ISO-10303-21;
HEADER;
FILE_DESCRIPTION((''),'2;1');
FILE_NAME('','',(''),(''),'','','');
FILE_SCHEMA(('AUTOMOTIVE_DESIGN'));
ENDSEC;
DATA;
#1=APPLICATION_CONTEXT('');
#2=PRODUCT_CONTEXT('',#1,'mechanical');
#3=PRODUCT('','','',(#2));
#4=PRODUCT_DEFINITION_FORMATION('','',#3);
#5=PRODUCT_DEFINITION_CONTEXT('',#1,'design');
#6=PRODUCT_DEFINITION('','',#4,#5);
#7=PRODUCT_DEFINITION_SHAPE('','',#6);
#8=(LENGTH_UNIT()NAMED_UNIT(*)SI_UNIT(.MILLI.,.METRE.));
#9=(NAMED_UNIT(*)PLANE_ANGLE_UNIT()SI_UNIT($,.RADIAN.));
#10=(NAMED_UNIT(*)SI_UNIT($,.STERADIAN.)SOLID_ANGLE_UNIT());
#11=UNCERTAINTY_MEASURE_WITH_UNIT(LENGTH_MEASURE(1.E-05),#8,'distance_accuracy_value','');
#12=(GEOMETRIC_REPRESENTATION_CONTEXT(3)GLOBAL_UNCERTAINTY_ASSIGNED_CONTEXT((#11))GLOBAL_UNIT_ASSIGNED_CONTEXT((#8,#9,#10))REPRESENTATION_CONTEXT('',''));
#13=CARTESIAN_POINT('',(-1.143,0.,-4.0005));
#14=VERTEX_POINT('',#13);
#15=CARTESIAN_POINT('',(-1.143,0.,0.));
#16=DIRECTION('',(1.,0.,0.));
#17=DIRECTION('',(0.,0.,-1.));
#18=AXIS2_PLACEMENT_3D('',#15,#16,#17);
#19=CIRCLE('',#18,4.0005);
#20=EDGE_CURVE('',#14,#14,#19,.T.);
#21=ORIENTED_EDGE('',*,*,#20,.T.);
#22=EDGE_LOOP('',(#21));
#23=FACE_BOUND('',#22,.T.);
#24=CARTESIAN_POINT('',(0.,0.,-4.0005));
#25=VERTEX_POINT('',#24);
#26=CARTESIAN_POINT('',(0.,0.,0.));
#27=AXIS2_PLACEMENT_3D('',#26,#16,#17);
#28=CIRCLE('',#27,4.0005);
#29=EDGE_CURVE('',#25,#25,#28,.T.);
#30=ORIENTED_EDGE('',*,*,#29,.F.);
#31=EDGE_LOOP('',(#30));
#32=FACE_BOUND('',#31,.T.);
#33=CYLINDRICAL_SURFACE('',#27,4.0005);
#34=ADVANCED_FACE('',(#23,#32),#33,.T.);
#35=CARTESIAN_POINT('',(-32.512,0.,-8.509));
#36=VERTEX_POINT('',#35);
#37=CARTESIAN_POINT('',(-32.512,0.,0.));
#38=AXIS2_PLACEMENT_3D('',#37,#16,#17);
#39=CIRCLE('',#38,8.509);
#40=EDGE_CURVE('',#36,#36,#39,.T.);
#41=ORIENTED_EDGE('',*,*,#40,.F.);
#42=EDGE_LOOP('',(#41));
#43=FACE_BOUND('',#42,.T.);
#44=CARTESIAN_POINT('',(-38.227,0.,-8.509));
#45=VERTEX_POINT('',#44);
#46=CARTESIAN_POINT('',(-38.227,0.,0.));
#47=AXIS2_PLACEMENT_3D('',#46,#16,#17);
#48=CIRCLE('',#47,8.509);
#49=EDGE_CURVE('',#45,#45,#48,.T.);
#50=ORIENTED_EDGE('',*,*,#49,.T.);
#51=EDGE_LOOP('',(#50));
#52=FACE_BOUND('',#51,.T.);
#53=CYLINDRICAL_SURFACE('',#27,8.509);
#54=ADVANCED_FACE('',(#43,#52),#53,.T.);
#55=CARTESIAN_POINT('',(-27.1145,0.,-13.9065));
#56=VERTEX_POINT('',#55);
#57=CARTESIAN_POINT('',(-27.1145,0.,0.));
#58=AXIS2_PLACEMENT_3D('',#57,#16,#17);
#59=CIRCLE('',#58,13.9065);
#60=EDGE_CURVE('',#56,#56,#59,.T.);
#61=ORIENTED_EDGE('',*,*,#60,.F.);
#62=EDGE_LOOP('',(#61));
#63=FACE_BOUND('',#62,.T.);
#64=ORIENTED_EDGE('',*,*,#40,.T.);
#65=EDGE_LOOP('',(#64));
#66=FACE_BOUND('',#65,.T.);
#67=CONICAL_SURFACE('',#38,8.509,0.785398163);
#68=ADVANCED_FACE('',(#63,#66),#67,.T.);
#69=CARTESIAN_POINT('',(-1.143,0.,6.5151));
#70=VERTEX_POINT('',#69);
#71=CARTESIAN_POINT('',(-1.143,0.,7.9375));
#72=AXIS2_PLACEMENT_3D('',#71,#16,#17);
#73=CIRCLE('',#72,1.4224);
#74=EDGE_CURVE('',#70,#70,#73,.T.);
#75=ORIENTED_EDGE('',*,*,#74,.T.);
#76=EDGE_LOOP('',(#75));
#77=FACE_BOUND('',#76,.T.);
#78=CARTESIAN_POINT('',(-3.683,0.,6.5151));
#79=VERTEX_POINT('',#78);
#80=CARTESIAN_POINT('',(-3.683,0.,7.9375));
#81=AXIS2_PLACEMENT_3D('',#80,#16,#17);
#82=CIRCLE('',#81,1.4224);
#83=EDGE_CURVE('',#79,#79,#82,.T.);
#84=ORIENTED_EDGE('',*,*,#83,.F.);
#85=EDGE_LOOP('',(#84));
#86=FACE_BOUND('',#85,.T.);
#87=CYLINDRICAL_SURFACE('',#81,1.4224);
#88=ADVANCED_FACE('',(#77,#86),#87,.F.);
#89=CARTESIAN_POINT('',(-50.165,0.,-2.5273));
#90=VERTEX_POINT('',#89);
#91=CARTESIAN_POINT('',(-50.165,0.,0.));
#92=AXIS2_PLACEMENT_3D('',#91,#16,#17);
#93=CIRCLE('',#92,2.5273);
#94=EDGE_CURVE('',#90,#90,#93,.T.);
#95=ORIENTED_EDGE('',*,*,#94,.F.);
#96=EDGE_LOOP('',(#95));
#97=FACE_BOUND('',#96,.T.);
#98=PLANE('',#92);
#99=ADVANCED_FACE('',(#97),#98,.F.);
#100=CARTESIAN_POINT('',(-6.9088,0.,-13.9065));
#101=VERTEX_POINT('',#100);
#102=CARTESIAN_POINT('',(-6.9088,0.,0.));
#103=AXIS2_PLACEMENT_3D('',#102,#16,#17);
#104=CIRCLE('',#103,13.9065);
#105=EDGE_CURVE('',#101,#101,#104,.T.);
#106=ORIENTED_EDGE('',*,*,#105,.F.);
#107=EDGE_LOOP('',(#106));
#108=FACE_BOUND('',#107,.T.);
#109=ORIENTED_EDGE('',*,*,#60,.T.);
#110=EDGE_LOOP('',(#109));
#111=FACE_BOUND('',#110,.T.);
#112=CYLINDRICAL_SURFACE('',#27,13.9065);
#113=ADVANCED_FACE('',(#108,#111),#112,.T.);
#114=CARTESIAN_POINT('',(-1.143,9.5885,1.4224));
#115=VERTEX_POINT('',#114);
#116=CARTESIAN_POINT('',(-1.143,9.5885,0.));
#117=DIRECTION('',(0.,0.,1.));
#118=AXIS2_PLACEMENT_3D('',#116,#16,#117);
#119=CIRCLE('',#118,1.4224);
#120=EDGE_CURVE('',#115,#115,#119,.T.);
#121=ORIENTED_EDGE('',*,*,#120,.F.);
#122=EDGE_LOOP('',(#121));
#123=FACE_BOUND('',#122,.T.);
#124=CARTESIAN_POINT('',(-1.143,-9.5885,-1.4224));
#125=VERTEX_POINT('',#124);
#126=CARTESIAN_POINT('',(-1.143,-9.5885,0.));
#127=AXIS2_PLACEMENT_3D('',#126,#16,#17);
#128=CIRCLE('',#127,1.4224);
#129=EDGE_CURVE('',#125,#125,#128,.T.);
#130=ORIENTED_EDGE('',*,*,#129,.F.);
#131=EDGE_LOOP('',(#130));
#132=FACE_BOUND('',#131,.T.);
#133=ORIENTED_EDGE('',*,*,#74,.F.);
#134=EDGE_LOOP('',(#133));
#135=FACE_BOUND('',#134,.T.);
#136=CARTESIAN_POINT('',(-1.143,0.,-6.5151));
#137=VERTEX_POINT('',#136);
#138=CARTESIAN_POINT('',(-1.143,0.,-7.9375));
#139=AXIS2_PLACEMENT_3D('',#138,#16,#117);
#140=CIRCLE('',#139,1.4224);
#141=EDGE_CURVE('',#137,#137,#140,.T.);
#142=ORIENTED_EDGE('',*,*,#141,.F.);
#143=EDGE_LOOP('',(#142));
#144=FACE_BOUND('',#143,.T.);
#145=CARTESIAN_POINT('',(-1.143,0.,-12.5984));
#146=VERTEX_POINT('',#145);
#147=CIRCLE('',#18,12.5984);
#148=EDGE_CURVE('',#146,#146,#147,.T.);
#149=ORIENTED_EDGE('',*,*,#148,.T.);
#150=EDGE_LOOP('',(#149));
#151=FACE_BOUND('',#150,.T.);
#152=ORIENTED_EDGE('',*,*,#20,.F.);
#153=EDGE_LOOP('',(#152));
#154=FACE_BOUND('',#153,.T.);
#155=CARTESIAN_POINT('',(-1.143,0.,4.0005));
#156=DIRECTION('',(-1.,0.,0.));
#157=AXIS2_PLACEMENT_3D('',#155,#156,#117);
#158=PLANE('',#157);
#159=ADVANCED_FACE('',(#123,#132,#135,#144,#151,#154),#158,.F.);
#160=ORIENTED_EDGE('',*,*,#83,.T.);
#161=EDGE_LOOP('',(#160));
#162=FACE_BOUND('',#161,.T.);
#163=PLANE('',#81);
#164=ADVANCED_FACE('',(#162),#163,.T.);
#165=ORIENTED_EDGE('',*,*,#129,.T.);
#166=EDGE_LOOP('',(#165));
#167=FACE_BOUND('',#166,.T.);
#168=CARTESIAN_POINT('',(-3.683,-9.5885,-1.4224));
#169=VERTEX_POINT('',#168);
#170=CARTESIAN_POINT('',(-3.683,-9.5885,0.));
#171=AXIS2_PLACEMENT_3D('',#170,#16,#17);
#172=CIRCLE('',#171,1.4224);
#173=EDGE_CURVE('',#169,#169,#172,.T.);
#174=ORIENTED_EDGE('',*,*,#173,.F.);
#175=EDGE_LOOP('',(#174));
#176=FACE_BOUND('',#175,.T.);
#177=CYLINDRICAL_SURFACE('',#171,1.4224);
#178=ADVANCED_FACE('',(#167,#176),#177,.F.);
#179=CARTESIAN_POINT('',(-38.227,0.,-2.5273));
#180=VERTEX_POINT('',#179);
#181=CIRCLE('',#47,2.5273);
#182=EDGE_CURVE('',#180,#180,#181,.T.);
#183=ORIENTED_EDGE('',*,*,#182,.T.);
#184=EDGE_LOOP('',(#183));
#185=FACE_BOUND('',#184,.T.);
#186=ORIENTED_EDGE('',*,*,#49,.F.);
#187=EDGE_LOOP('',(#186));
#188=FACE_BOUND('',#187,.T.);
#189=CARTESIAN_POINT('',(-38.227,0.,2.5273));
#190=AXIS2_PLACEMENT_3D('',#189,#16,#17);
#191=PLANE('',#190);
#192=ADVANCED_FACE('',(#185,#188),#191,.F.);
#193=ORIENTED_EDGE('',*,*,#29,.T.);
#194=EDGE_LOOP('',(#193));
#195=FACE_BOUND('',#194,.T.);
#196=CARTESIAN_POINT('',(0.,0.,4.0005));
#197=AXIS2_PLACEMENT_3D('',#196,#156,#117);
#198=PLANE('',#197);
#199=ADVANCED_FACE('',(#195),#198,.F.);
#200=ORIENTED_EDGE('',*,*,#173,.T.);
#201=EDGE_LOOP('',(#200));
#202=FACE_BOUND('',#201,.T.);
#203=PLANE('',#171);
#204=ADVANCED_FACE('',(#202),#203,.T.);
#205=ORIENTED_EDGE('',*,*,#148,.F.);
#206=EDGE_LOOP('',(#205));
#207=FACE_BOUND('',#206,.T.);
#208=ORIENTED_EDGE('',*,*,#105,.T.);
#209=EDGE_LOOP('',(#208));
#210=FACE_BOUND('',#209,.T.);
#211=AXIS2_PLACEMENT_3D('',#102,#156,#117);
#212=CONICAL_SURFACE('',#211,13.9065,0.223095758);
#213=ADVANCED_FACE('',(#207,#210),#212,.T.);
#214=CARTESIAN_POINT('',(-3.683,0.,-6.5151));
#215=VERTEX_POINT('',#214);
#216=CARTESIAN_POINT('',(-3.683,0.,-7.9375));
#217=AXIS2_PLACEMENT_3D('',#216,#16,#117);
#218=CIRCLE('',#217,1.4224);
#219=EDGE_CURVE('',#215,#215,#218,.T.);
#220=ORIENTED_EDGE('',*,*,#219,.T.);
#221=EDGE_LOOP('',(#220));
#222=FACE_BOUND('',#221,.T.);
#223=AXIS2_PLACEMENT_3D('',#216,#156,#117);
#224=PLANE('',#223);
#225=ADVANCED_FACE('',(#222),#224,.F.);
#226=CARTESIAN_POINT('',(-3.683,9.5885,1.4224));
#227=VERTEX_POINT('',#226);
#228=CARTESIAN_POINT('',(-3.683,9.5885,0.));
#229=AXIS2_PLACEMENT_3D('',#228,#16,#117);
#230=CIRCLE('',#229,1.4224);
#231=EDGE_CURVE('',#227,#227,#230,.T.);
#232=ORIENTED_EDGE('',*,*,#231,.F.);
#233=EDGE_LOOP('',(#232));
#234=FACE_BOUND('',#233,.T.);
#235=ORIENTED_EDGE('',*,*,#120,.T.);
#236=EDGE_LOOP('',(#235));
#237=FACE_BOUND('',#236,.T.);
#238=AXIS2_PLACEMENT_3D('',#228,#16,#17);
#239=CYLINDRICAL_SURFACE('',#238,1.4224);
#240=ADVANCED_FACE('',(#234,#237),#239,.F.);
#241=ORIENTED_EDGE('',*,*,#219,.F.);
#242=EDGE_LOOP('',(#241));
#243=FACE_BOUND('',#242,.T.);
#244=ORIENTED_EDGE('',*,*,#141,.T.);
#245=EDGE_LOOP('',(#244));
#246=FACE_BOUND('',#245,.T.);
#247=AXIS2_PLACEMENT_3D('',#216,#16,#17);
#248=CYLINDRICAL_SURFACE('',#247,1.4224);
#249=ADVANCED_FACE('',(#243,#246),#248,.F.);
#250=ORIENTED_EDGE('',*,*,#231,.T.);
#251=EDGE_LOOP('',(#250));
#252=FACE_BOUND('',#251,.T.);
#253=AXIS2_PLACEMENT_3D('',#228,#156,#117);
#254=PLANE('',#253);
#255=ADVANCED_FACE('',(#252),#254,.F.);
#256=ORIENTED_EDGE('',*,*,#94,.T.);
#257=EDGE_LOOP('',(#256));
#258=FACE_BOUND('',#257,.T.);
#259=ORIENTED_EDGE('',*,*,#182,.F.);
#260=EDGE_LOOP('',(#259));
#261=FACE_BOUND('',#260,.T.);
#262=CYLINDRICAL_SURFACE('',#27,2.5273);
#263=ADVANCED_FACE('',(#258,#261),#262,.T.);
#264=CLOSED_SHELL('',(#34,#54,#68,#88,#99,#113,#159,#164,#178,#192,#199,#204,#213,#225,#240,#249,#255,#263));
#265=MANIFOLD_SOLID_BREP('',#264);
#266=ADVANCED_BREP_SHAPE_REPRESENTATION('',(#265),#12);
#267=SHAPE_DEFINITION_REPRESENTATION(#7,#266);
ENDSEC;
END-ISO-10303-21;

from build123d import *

# Parameters (mm, degrees)
SKETCH2_R          = 1.4224
CUT_EXTRUDE1_DEPTH = 2.54


with BuildPart() as part:
    # Sketch1 → Revolve1 (revolve)
    with BuildSketch(Plane(origin=(0, 0, 0), x_dir=(-1, 0, 0), z_dir=(0, 1, 0)), mode=Mode.PRIVATE) as revolve1_sk:
        Polygon((0, 0), (50.165, 0), (50.165, 2.5273), (38.227, 2.5273), (38.227, 8.509), (32.512, 8.509), (27.1145, 13.9065), (6.9088, 13.9065), (1.143, 12.5984), (1.143, 4.0005), (0, 4.0005), align=None)
    revolve(revolve1_sk.sketch.rotate(Axis((0, 0, 0), (-1, 0, 0)), 180), axis=Axis((0, 0, 0), (-1, 0, 0)))

    # Sketch2 → Cut-Extrude1 (cut)
    with BuildSketch(Plane.YZ.offset(-1.143)):
        with Locations(Location((0, 7.9375, 0), (0, 0, 270))):
            Circle(SKETCH2_R)
        with Locations(Location((-9.5885, 0, 0), (0, 0, 270))):
            Circle(SKETCH2_R)
        with Locations(Location((0, -7.9375, 0), (0, 0, 90))):
            Circle(SKETCH2_R)
        with Locations(Location((9.5885, 0, 0), (0, 0, 90))):
            Circle(SKETCH2_R)
    extrude(amount=-CUT_EXTRUDE1_DEPTH, mode=Mode.SUBTRACT)


solid = part.part
